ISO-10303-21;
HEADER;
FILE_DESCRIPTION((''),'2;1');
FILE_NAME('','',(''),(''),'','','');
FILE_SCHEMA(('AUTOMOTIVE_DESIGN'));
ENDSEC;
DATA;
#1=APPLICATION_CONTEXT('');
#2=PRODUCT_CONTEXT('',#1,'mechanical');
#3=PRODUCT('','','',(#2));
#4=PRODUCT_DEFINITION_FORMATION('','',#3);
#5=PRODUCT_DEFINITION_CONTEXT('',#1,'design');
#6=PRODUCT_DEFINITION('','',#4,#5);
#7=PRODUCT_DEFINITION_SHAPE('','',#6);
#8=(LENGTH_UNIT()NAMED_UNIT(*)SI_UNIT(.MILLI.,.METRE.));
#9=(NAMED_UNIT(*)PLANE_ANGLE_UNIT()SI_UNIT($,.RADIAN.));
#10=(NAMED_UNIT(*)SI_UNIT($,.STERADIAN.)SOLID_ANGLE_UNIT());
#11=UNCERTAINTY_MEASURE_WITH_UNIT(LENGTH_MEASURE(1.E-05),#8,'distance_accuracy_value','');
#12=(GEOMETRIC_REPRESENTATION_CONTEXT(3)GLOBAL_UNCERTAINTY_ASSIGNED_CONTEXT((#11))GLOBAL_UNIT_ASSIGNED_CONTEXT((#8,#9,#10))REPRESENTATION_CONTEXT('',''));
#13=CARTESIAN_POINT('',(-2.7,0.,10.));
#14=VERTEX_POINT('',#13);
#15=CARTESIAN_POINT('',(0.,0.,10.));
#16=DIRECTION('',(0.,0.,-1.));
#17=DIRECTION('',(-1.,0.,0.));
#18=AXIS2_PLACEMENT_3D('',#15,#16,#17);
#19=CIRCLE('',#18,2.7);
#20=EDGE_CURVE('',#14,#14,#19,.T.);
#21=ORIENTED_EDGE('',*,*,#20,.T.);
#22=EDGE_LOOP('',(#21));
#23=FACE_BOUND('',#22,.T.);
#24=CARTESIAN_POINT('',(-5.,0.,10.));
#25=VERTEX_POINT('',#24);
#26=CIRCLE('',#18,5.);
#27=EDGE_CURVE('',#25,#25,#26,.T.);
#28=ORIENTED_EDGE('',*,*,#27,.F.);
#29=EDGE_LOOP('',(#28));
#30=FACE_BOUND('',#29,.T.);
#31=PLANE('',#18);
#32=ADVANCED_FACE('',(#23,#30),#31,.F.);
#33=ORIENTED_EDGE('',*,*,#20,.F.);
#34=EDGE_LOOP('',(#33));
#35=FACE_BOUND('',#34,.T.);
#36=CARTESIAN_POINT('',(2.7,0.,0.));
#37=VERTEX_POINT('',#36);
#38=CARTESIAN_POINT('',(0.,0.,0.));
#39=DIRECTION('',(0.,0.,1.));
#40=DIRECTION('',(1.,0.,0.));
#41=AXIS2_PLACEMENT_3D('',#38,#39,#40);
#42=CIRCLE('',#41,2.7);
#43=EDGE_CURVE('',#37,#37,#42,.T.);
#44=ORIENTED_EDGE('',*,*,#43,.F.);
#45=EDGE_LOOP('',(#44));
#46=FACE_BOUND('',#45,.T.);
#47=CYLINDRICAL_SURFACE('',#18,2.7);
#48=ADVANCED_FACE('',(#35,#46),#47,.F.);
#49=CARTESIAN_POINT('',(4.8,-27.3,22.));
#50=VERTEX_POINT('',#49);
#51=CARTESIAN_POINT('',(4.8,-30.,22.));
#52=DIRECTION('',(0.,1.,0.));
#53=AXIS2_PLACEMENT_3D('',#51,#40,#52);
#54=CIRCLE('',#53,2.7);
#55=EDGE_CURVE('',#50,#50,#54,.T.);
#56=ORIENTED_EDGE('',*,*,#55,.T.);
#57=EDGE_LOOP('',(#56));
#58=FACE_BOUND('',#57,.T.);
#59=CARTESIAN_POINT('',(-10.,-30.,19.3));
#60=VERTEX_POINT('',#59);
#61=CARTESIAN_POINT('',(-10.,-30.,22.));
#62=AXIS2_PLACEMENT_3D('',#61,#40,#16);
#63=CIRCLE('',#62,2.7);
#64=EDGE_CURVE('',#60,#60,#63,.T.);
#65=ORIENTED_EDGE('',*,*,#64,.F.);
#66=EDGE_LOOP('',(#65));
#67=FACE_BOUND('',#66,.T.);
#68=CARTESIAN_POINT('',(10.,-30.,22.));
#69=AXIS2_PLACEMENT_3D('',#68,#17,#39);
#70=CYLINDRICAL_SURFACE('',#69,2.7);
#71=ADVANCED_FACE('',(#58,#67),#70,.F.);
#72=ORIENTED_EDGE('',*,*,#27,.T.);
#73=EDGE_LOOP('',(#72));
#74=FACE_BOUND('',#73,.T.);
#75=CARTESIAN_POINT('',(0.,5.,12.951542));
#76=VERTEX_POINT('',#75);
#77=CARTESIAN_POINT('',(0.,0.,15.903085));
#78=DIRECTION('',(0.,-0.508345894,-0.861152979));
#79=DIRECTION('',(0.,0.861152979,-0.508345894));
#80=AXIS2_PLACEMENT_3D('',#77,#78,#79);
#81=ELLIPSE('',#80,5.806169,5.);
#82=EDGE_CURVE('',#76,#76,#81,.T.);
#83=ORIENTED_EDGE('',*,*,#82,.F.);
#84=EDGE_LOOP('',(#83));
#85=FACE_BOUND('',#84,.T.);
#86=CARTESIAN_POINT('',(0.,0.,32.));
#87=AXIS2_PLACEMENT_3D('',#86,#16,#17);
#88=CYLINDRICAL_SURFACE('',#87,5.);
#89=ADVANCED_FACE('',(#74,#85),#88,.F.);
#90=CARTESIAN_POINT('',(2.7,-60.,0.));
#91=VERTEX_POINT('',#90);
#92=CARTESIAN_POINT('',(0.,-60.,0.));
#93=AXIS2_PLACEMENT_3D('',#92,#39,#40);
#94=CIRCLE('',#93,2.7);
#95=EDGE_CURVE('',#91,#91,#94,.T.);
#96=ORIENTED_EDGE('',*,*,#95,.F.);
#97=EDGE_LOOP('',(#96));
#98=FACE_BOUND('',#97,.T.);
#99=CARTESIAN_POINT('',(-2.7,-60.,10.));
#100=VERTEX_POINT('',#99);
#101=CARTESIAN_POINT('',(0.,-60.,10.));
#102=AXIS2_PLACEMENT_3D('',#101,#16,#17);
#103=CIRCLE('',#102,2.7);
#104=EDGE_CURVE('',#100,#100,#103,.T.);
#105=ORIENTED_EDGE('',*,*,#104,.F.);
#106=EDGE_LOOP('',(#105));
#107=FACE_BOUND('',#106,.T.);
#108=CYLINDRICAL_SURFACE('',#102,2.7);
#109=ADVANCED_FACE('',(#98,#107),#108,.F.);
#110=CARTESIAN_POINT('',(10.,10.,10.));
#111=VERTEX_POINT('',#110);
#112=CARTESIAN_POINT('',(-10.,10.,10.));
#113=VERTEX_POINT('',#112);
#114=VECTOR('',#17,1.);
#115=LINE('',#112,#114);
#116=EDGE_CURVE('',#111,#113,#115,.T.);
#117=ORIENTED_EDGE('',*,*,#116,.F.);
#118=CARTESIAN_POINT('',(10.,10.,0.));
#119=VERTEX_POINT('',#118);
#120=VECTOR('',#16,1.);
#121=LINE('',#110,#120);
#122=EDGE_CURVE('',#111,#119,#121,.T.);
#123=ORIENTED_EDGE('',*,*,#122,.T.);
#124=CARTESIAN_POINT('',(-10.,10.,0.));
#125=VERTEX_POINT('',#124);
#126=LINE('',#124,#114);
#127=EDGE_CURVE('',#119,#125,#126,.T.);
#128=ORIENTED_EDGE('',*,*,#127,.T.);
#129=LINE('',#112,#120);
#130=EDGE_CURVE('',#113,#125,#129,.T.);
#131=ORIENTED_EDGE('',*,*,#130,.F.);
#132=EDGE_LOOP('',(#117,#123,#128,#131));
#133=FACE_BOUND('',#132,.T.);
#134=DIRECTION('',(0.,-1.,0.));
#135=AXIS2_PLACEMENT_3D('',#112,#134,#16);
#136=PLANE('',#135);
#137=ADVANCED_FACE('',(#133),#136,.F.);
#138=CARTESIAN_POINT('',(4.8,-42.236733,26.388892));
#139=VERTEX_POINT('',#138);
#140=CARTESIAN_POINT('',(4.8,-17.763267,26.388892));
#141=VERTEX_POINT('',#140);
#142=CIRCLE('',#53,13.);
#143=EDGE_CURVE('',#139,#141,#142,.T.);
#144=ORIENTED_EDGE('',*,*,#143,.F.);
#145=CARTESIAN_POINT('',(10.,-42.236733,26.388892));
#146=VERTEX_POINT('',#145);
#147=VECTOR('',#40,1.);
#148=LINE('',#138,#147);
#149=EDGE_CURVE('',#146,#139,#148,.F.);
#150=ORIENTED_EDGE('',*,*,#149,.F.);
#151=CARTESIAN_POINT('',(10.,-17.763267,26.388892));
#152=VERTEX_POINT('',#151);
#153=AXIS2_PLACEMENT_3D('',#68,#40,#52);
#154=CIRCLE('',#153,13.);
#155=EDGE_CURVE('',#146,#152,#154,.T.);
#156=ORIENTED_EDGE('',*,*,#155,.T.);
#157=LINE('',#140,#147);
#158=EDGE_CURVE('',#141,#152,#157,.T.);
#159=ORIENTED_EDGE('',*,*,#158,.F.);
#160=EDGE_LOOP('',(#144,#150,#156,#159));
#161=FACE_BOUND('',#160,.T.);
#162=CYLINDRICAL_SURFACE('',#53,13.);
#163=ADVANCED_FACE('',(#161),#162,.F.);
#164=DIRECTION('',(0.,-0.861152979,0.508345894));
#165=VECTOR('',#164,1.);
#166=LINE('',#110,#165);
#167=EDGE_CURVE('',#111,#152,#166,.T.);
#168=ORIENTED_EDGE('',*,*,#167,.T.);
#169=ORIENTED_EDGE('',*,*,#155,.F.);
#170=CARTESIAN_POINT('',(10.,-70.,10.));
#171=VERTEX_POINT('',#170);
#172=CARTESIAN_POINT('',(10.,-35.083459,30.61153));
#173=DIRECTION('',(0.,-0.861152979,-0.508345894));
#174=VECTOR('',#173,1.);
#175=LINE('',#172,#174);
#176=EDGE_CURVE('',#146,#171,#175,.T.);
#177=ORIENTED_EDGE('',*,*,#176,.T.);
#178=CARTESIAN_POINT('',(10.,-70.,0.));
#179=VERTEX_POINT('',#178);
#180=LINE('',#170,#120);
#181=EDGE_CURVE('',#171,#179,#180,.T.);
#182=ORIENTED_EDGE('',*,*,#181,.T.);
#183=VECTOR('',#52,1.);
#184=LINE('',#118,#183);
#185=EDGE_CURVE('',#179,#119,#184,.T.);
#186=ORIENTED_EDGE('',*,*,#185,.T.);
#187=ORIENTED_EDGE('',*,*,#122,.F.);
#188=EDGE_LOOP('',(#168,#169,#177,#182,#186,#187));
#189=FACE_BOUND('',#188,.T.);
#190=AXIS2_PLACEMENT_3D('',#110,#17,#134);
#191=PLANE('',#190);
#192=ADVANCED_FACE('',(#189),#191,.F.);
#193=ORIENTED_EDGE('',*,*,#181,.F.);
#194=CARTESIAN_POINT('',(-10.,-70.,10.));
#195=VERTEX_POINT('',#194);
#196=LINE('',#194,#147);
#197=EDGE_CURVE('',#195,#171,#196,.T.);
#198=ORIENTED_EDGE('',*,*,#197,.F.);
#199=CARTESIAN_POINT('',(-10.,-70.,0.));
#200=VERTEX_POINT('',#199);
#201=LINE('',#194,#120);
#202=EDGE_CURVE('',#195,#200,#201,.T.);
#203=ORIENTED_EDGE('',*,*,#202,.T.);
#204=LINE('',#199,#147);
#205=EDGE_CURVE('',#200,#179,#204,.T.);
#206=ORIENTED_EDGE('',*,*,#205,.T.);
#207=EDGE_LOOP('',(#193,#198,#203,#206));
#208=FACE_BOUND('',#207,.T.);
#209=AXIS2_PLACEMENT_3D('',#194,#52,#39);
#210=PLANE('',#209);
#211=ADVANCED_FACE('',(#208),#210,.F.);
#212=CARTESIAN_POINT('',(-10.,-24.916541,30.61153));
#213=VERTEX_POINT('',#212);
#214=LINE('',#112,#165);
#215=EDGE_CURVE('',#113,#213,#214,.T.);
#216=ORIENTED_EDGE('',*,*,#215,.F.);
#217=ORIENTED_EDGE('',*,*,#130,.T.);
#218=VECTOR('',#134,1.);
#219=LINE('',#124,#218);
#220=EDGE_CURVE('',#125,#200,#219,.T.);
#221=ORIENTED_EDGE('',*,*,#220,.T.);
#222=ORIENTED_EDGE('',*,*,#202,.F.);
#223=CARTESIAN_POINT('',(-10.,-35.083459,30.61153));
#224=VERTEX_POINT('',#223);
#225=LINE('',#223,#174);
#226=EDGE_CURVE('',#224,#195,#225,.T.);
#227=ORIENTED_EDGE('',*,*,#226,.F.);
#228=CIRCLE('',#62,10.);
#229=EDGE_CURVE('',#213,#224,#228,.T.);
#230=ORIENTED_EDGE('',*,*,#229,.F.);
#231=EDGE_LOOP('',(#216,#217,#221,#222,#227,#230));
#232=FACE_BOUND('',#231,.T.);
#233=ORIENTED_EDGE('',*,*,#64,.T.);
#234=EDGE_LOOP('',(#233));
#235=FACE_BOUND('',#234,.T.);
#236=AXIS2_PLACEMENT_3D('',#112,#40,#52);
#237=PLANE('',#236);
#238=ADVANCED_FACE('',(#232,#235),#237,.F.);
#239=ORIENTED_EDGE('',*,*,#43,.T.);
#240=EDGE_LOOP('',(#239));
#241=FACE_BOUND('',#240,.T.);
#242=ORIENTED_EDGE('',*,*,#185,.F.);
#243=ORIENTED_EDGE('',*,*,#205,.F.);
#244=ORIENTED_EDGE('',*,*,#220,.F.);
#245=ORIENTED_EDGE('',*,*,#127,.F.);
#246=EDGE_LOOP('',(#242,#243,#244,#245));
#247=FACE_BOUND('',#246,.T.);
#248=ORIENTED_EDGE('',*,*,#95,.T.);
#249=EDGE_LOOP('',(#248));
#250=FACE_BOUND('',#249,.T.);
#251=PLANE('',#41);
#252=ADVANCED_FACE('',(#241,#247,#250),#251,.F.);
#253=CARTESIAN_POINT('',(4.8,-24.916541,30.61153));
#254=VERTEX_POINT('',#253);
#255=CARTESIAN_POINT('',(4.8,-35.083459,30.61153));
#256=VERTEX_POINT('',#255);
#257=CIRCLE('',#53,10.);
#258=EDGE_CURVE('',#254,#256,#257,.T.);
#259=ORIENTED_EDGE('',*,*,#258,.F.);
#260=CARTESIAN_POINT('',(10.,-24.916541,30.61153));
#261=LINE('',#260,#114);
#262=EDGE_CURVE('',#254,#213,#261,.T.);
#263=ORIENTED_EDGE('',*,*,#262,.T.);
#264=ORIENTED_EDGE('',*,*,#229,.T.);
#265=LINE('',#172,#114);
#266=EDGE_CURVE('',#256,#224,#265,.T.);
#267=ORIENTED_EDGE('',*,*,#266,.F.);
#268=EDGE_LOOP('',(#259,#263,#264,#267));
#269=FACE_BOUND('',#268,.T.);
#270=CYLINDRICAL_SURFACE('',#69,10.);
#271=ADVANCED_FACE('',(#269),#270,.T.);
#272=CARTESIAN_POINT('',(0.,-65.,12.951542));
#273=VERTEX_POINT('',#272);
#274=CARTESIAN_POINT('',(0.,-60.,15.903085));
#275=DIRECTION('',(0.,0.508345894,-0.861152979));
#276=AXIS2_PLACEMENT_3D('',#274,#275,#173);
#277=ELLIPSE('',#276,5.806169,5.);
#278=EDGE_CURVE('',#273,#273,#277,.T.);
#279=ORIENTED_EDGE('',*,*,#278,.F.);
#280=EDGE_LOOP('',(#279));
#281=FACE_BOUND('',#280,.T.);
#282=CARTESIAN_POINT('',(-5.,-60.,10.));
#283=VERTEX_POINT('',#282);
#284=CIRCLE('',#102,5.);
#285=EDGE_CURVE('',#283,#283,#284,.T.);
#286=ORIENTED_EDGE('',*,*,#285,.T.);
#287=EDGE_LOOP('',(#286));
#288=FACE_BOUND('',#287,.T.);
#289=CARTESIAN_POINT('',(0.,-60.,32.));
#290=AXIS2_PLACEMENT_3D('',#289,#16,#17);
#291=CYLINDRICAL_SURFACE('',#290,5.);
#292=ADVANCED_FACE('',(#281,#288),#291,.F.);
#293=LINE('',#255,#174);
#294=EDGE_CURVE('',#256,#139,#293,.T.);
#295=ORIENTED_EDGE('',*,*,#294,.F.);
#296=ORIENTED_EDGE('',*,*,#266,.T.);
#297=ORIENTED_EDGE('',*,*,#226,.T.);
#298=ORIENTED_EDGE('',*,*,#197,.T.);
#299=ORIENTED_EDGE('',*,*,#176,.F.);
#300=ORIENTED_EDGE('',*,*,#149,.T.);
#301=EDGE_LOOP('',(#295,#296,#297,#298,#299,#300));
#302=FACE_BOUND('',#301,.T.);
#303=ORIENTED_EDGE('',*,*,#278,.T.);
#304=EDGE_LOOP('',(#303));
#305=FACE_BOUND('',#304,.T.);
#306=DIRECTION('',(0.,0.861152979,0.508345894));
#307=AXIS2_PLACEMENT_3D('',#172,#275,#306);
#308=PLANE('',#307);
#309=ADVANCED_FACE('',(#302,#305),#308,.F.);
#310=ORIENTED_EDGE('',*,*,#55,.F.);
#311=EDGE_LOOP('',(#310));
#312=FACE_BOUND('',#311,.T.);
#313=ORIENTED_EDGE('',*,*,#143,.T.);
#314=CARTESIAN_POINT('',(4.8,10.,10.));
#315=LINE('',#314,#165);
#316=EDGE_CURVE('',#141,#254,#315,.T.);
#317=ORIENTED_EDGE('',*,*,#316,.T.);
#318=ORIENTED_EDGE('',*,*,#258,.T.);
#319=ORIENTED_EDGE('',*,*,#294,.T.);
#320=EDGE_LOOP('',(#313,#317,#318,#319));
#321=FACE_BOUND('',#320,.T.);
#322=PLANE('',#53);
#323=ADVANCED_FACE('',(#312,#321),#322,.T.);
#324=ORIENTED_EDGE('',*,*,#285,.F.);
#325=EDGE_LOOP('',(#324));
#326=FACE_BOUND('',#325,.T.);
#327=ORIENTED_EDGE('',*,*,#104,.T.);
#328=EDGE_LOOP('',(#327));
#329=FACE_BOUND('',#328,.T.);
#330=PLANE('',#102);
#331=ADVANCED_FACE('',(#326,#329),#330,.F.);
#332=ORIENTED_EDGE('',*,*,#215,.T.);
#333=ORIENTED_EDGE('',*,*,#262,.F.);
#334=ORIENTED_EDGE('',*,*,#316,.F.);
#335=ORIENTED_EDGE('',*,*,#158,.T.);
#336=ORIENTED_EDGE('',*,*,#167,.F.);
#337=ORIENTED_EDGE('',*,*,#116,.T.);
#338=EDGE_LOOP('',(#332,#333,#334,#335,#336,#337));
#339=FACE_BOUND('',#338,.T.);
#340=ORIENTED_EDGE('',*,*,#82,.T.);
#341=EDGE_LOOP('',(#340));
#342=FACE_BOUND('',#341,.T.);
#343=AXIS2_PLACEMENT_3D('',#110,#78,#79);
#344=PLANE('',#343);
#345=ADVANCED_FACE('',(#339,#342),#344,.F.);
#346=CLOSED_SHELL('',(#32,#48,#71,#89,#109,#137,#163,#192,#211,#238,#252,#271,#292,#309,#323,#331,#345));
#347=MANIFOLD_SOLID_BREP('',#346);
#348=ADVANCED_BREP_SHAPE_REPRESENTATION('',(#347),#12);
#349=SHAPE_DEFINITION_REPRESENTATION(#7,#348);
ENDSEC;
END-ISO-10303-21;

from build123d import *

# Parameters (mm, degrees)
SKETCH1_W           = 20
SKETCH1_H           = 80
SKETCH1_R           = 2.7
BOSS_EXTRUDE1_DEPTH = 10
SKETCH2_R           = 2.7
BOSS_EXTRUDE2_DEPTH = 10
SKETCH3_R           = 5
CUT_EXTRUDE1_DEPTH  = 23
SKETCH4_R           = 13
CUT_EXTRUDE2_DEPTH  = 5.2


with BuildPart() as part:
    # Sketch1 → Boss-Extrude1 (new body)
    with BuildSketch(Plane.XY):
        with Locations((0, -30)):
            Rectangle(SKETCH1_W, SKETCH1_H)
        Circle(SKETCH1_R, mode=Mode.SUBTRACT)
        with Locations((0, -60)):
            Circle(SKETCH1_R, mode=Mode.SUBTRACT)
    extrude(amount=BOSS_EXTRUDE1_DEPTH)

    # Sketch2 → Boss-Extrude2 (add, symmetric)
    with BuildSketch(Plane(origin=(0, 0, 0), x_dir=(0, 0, -1), z_dir=(1, 0, 0))):
        with BuildLine():
            Line((-10, 10), (-30.611529786, -24.916541064))
            ThreePointArc((-30.611529786, -24.916541064), (-32, -30), (-30.611529786, -35.083458936))
            Line((-30.611529786, -35.083458936), (-10, -70))
            Line((-10, -70), (-10, 10))
        make_face()
        with Locations((-22, -30)):
            Circle(SKETCH2_R, mode=Mode.SUBTRACT)
    extrude(amount=BOSS_EXTRUDE2_DEPTH, both=True)

    # Sketch3 → Cut-Extrude1 (cut, through all)
    with BuildSketch(Plane(origin=(0, 0, 10), x_dir=(-1, 0, 0), z_dir=(0, 0, -1))):
        with Locations((0, -60)):
            Circle(SKETCH3_R)
        Circle(SKETCH3_R)
    extrude(amount=-CUT_EXTRUDE1_DEPTH, mode=Mode.SUBTRACT)

    # Sketch4 → Cut-Extrude2 (cut)
    with BuildSketch(Plane(origin=(10, 0, 0), x_dir=(0, 0, -1), z_dir=(1, 0, 0))):
        with Locations((-22, -30)):
            Circle(SKETCH4_R)
    extrude(amount=-CUT_EXTRUDE2_DEPTH, mode=Mode.SUBTRACT)


solid = part.part
